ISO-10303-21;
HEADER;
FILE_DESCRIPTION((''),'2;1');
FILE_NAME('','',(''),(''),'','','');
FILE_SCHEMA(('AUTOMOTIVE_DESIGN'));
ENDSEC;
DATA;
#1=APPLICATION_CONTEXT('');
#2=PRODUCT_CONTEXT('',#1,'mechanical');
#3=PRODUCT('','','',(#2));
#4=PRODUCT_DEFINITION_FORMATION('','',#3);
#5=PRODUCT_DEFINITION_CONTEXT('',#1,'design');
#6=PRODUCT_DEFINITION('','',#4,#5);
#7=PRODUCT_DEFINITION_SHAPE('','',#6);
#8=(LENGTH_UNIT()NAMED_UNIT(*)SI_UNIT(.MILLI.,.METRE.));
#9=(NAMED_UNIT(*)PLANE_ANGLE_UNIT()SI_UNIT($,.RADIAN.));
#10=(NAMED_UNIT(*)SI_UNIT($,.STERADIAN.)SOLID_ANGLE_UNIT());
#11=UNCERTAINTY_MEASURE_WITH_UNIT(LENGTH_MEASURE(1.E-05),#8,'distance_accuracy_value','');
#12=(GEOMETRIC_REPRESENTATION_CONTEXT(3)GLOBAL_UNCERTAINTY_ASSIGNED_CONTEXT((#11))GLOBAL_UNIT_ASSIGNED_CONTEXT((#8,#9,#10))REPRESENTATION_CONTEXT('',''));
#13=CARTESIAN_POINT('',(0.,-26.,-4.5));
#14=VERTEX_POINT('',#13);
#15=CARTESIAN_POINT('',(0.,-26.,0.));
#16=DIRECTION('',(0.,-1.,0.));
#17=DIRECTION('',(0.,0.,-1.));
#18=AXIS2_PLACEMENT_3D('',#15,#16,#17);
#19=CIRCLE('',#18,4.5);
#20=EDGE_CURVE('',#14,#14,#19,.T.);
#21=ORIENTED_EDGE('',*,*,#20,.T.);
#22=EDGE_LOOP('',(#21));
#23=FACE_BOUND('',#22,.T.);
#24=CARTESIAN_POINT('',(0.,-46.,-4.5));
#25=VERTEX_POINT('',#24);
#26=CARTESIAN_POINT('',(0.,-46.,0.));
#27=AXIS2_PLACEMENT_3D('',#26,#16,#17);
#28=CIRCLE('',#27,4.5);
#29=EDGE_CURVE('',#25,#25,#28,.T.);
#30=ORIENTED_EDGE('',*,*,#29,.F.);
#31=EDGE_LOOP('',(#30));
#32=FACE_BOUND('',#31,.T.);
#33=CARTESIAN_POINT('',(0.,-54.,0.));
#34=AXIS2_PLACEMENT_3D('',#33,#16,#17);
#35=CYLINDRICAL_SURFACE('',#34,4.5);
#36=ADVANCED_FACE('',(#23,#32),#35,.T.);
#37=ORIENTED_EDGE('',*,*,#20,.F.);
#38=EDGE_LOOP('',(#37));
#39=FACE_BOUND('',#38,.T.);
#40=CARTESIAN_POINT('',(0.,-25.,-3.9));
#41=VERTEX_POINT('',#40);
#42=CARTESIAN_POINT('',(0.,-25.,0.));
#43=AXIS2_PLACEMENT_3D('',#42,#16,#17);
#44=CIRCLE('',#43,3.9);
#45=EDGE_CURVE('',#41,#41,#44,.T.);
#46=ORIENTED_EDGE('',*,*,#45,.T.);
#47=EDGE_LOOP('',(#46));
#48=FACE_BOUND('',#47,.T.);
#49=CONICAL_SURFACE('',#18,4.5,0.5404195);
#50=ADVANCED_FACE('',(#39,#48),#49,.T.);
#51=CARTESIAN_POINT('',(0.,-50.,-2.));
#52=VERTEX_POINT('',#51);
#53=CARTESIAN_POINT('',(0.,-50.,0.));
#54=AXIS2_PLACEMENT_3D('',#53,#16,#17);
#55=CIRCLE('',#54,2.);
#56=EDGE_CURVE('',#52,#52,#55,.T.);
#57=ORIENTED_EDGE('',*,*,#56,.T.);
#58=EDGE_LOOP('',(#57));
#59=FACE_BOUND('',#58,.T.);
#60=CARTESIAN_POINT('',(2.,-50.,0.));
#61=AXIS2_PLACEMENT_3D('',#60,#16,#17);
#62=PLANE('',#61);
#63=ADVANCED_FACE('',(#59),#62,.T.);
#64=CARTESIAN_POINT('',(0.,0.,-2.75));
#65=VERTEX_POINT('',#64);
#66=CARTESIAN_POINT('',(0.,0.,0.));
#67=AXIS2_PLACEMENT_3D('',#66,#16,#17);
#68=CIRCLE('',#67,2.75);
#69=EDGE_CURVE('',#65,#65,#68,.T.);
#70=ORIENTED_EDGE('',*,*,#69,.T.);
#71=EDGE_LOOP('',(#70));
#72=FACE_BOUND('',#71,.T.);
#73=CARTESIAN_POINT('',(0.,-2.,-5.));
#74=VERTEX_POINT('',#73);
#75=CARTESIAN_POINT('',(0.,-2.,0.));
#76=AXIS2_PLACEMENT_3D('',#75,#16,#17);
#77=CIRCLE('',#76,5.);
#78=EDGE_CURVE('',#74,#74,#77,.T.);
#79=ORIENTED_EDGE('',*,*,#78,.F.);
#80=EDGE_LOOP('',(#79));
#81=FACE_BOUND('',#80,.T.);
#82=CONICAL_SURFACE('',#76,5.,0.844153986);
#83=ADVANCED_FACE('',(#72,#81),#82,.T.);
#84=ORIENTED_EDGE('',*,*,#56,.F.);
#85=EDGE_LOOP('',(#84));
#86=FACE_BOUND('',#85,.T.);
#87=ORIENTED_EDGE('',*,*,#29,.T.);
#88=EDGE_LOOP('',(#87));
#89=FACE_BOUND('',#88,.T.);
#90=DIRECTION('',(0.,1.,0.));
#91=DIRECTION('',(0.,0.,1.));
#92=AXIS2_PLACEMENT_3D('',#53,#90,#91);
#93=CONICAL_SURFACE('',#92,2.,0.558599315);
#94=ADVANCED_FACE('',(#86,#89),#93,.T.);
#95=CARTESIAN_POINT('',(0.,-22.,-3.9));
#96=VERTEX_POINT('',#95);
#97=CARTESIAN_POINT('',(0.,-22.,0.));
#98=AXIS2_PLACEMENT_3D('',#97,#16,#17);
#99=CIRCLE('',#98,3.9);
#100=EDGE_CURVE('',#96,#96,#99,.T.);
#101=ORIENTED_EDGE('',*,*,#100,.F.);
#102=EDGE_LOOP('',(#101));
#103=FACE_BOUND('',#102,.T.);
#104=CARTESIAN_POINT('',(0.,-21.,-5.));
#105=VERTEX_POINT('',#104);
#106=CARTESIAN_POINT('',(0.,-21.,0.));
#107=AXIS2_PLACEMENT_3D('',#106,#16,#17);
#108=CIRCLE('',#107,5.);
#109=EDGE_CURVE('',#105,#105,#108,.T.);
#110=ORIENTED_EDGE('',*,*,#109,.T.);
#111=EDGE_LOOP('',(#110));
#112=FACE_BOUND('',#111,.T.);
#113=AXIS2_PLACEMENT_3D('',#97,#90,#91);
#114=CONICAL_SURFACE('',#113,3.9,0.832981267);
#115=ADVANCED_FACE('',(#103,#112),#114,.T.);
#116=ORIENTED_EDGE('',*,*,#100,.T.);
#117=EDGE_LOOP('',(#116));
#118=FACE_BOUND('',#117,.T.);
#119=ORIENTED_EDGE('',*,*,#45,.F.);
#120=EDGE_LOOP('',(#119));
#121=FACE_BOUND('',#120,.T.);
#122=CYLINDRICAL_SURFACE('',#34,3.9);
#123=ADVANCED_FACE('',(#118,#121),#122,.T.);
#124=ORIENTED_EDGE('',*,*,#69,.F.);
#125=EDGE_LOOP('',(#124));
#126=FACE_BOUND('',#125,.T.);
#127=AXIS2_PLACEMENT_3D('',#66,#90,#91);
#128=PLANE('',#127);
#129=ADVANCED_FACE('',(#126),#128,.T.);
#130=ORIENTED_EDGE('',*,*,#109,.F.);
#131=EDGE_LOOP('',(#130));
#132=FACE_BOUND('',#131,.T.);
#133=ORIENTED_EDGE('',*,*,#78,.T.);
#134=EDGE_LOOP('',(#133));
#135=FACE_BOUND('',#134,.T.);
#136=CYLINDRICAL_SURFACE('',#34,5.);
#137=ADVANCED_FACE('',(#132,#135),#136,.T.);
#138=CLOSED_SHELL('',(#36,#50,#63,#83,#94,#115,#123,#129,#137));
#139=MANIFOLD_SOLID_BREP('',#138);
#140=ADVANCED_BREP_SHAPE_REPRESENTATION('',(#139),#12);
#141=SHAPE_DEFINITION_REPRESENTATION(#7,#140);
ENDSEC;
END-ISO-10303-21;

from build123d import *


with BuildPart() as part:
    # Sketch1 → Motor_reductora_husillo (revolve)
    with BuildSketch(Plane.XY, mode=Mode.PRIVATE) as motor_reductora_husillo_sk:
        Polygon((0, 0), (2.75, 0), (5, -2), (5, -21), (3.9, -22), (3.9, -25), (4.5, -26), (4.5, -46), (2, -50), (0, -50), align=None)
    revolve(motor_reductora_husillo_sk.sketch.rotate(Axis((0, -54, 0), (0, 1, 0)), 90), axis=Axis((0, -54, 0), (0, 1, 0)))


solid = part.part
